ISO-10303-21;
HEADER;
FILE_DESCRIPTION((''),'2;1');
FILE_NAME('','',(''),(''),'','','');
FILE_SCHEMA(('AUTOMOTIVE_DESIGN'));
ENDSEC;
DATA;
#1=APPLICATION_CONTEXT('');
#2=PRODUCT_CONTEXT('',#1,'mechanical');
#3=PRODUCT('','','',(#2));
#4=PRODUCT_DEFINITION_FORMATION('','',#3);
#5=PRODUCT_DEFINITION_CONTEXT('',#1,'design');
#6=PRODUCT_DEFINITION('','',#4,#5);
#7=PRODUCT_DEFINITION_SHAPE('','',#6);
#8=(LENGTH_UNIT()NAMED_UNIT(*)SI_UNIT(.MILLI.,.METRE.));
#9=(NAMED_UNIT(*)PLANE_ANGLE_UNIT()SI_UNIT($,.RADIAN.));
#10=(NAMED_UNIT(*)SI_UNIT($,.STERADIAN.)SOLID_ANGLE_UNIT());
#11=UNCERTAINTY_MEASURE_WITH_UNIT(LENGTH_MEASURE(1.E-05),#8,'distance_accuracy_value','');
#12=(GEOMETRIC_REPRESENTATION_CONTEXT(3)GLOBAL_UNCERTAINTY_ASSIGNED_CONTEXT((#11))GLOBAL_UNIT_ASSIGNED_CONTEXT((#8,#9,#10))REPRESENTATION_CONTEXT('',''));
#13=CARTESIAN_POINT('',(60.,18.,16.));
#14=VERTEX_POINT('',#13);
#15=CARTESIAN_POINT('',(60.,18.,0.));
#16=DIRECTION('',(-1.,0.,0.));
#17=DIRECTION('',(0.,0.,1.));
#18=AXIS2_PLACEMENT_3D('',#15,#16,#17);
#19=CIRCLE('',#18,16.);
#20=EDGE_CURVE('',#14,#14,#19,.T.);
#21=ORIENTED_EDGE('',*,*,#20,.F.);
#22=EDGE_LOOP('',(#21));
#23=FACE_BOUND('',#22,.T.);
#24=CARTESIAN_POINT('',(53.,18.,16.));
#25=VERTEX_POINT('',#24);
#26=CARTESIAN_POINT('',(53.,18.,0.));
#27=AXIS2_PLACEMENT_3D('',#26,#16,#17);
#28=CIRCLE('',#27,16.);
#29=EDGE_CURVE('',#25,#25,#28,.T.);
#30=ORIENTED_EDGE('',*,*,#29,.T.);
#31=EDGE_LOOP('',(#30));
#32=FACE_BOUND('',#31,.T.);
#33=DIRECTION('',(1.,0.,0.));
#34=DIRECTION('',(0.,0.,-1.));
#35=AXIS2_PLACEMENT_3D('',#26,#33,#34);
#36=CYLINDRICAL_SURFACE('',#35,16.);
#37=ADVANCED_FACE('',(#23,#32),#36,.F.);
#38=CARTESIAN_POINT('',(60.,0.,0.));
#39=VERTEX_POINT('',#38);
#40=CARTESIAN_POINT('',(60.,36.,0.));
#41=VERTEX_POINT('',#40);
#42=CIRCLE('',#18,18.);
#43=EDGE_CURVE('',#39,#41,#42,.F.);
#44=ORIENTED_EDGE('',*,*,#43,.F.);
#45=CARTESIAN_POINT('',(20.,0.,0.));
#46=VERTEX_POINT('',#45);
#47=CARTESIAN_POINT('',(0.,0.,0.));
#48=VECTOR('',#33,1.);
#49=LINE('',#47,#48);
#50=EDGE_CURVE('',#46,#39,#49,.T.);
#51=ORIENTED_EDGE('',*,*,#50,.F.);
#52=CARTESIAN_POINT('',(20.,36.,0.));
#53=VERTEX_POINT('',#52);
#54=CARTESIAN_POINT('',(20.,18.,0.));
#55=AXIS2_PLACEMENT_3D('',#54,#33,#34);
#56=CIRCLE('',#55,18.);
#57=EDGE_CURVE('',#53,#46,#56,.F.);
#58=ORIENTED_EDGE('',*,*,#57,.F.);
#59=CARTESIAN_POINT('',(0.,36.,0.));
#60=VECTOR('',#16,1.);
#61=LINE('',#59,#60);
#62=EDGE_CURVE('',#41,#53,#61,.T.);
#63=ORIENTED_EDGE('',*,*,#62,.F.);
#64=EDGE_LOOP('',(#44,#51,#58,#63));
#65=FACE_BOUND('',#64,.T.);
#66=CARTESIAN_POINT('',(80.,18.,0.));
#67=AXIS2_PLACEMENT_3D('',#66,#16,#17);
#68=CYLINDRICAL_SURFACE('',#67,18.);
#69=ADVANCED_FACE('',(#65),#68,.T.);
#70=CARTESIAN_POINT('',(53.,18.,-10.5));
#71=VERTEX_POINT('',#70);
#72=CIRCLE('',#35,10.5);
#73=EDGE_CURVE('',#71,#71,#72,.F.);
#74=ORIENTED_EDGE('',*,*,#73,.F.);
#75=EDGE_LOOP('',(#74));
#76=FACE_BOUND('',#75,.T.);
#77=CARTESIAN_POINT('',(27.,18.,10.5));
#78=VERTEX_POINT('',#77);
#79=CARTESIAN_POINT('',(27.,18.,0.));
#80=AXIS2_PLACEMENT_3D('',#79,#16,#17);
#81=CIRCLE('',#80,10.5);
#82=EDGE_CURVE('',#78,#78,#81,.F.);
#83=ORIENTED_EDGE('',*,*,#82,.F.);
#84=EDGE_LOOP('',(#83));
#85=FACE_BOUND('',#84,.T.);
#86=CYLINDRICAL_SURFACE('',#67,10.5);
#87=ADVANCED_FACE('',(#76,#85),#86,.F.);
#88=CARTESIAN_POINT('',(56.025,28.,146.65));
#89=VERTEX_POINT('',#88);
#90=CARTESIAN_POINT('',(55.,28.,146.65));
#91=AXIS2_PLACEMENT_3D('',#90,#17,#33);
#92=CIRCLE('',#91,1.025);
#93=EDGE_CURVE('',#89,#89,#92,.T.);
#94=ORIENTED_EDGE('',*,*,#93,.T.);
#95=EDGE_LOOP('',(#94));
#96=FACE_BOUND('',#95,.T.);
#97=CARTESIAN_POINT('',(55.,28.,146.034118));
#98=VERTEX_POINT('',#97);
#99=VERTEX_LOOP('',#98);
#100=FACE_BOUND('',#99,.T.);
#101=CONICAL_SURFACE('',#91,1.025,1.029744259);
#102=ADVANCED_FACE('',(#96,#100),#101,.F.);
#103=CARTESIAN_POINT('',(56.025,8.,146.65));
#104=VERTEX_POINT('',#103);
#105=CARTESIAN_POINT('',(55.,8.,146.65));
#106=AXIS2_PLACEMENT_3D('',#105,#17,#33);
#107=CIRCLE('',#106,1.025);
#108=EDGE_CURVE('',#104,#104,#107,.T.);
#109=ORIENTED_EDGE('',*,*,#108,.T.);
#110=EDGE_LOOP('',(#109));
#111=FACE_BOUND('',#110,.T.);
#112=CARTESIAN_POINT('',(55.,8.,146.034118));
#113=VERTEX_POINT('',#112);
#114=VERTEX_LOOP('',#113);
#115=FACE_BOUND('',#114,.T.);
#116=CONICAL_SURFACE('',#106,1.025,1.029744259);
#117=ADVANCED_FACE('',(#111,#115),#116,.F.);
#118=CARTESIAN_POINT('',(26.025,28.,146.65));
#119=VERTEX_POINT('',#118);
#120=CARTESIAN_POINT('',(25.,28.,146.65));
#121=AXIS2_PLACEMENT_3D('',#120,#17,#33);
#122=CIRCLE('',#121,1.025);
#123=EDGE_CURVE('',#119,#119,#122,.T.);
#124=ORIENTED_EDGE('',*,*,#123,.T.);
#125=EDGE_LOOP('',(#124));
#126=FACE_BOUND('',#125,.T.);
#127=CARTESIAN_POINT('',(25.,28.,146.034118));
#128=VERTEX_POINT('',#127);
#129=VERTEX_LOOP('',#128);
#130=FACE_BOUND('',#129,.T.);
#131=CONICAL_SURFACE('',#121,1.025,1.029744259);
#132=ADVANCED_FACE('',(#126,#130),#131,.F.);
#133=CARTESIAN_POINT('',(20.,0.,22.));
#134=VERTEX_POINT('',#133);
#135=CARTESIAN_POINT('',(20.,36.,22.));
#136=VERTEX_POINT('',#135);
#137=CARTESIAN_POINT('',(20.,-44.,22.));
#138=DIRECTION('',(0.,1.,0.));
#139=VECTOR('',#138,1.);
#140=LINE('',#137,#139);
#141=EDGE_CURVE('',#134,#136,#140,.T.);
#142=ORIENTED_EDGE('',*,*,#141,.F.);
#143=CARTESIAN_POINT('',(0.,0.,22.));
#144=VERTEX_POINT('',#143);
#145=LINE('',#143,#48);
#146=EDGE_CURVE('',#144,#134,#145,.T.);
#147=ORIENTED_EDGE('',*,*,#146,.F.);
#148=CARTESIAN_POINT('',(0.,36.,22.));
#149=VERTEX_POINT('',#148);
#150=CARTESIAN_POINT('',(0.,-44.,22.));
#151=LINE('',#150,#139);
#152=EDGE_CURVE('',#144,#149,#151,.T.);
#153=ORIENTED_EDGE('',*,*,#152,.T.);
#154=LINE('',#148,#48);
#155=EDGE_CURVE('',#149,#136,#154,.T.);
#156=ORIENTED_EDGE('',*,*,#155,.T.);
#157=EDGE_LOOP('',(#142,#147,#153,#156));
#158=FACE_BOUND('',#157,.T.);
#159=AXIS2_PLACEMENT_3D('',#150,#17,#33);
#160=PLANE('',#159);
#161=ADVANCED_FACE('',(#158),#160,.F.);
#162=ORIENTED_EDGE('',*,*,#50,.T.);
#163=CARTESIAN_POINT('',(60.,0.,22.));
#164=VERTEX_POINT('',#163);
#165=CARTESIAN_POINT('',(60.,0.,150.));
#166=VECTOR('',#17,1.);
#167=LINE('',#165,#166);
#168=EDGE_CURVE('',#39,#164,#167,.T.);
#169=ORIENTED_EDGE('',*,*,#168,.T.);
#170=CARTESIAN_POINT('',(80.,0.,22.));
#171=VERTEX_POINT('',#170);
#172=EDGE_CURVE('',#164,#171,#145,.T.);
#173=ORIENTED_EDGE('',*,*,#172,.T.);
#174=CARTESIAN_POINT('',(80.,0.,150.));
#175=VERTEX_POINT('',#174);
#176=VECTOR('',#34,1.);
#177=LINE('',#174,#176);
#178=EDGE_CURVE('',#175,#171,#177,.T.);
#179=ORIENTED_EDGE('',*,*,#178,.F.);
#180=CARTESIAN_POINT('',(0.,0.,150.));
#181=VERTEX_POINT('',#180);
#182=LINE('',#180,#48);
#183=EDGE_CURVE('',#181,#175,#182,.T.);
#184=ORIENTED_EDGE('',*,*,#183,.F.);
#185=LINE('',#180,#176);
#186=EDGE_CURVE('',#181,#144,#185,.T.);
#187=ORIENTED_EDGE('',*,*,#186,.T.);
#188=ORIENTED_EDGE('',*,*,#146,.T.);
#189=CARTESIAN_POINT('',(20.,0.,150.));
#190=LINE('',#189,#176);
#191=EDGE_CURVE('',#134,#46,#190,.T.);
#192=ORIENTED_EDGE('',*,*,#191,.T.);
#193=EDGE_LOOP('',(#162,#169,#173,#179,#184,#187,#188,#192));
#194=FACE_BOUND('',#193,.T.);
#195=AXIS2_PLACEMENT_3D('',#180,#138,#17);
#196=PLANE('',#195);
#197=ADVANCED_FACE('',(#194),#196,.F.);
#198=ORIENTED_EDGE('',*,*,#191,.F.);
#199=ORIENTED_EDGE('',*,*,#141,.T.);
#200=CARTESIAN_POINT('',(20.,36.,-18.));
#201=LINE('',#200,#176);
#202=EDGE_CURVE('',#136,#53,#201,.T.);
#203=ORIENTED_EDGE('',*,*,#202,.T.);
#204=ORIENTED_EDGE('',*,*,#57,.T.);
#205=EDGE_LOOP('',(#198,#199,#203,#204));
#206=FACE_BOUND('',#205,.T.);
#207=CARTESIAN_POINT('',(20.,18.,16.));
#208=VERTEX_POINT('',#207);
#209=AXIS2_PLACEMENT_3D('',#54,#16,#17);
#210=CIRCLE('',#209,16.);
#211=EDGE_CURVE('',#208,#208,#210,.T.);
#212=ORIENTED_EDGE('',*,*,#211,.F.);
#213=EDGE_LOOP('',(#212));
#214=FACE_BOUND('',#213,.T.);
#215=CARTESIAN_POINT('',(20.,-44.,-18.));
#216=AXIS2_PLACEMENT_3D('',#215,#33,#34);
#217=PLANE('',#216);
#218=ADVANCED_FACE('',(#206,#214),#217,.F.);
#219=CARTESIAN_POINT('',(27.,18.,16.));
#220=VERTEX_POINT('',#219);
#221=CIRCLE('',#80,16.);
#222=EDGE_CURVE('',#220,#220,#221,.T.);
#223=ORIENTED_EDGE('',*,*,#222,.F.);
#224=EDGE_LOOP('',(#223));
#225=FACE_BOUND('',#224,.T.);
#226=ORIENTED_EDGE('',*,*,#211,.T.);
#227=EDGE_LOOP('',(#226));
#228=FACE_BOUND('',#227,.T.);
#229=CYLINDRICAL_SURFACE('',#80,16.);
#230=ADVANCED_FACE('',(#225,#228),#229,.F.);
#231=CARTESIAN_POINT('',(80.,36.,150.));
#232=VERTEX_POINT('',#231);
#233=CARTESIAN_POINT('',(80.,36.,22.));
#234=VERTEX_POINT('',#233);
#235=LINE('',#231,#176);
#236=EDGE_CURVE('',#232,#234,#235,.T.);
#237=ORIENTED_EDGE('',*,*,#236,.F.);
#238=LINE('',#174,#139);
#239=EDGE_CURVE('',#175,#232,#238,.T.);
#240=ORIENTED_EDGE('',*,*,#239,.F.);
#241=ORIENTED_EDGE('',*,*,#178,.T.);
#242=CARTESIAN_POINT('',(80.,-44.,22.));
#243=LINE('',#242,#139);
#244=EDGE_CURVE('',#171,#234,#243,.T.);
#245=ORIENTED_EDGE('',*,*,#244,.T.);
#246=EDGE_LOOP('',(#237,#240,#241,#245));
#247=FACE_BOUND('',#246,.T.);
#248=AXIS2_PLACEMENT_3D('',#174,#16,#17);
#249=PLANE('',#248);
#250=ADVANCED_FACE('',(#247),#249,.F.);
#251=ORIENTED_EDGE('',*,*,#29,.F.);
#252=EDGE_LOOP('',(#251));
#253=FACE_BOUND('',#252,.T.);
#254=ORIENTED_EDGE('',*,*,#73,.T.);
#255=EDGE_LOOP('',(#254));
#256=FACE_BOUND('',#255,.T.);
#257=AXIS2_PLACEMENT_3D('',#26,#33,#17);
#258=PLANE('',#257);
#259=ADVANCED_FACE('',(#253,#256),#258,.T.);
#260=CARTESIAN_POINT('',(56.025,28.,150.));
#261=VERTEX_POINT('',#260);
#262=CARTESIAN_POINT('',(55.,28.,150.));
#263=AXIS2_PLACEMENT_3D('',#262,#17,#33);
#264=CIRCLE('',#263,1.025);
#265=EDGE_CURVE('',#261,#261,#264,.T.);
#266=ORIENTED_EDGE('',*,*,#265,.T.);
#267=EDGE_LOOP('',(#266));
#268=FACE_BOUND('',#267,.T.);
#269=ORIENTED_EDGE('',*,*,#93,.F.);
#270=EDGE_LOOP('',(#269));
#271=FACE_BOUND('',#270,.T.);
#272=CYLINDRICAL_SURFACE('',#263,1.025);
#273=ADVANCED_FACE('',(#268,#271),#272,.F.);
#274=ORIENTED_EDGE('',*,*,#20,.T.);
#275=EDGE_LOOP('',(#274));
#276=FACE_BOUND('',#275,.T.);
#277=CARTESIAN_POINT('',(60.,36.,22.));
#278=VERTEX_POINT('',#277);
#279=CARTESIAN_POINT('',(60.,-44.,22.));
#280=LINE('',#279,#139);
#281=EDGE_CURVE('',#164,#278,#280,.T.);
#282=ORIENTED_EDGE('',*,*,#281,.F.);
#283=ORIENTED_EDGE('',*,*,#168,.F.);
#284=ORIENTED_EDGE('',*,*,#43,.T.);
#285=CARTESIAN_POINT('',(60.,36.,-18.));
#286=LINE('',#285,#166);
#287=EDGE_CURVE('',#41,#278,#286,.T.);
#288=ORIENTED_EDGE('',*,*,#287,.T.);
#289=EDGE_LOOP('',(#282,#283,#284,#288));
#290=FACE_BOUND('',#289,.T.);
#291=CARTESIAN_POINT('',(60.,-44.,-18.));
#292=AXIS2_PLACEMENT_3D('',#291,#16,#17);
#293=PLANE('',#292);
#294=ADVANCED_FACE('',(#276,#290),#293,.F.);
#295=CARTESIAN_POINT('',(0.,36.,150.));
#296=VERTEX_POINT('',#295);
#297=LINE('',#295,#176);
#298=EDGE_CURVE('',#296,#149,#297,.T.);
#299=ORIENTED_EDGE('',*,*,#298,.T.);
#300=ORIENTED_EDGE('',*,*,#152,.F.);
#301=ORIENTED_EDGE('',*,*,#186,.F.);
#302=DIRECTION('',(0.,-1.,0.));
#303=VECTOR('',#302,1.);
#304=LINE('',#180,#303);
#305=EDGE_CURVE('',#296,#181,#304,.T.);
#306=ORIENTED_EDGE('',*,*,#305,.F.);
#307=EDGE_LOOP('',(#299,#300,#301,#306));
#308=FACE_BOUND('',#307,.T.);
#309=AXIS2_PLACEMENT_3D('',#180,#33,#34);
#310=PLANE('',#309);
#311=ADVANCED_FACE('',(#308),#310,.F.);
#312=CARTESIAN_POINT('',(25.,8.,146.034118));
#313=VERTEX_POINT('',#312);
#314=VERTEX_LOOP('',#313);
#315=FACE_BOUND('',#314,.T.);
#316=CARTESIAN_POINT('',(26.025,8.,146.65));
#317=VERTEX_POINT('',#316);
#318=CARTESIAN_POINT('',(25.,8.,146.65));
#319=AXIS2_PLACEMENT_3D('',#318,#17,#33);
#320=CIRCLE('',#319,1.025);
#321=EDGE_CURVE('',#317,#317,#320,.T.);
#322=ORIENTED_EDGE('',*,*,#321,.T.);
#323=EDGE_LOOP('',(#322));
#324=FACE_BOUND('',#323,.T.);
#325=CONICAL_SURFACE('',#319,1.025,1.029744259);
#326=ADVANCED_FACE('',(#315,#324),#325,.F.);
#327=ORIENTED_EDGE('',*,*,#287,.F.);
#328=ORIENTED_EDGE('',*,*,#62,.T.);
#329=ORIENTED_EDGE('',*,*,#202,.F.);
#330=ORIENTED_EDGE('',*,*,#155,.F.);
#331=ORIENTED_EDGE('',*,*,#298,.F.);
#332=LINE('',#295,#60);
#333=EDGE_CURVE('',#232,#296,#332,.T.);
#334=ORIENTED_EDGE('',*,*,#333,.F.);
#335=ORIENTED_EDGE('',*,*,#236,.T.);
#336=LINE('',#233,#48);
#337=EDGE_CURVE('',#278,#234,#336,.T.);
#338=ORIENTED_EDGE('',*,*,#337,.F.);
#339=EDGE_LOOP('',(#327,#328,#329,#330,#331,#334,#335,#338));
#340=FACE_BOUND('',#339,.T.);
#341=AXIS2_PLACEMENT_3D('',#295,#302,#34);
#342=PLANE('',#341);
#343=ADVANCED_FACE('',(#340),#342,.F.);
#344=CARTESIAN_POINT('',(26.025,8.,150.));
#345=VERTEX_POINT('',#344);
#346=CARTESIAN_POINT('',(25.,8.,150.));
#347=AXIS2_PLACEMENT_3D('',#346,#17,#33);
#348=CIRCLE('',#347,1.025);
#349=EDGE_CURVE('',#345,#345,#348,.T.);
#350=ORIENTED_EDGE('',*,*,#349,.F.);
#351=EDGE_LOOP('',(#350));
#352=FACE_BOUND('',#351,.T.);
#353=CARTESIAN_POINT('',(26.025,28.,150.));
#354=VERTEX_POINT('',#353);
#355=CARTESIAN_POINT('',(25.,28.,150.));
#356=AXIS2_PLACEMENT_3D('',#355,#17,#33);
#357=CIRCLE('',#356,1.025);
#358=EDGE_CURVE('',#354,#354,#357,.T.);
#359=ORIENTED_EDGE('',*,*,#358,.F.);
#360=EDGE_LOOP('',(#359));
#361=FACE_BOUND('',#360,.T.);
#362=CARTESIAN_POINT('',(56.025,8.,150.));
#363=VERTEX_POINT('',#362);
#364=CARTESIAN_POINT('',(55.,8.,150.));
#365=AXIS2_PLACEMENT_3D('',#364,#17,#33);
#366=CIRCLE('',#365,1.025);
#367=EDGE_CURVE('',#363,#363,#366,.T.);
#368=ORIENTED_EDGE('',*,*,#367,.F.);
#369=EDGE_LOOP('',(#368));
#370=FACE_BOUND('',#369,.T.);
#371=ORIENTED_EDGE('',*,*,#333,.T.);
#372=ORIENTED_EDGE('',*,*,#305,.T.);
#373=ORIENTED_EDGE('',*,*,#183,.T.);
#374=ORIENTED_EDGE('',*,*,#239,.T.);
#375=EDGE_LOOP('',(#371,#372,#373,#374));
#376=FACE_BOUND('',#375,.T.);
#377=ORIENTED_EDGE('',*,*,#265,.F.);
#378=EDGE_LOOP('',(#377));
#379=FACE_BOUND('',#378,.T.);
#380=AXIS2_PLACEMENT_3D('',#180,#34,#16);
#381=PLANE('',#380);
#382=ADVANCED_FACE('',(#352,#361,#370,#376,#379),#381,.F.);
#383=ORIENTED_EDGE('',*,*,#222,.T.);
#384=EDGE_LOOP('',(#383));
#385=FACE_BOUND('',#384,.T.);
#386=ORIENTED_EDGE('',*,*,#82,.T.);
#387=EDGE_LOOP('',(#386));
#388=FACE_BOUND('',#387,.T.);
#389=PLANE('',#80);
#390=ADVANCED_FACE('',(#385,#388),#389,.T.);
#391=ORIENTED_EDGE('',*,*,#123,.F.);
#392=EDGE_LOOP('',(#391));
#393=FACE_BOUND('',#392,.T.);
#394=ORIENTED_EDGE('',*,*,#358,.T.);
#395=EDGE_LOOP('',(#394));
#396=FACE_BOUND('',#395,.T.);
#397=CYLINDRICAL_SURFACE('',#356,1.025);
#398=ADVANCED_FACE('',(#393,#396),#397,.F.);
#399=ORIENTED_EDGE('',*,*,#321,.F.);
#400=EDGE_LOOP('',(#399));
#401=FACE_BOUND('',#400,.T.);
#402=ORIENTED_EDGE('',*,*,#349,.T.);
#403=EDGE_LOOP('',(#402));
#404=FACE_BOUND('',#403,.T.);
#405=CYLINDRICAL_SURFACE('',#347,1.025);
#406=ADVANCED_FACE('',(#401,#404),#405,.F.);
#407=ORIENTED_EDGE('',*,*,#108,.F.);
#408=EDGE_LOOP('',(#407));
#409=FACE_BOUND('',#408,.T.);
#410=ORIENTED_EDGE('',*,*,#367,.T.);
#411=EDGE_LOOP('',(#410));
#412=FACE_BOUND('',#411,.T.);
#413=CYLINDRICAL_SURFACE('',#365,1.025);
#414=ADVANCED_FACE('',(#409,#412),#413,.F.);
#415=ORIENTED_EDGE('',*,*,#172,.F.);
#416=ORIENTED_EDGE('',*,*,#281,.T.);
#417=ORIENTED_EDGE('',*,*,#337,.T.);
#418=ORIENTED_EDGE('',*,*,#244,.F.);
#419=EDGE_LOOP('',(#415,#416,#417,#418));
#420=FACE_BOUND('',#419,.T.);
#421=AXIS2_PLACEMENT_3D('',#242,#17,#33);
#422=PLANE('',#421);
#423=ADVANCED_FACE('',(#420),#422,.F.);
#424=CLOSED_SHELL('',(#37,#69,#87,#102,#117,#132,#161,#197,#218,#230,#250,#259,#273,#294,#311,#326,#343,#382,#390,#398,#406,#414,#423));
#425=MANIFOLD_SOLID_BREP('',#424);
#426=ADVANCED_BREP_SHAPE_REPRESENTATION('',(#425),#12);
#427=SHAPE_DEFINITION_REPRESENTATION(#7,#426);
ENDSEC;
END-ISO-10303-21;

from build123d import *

# Parameters (mm, degrees)
SKETCH1_W               = 80
SKETCH1_H               = 36
BOSS_EXTRUDE1_DEPTH     = 150
M2_5_TAPPED_HOLE1_D     = 2.05
M2_5_TAPPED_HOLE1_DEPTH = 3.35
M2_5_TAPPED_HOLE1_TIP   = 0.615882135
BOSS_EXTRUDE2_DEPTH     = 80
SKETCH7_W               = 20
SKETCH7_H               = 40
CUT_EXTRUDE4_DEPTH      = 80
SKETCH5_R               = 10.5
CUT_EXTRUDE5_DEPTH      = 80
SKETCH8_R               = 16
CUT_EXTRUDE6_DEPTH      = 7


with BuildPart() as part:
    # Sketch1 → Boss-Extrude1 (new body)
    with BuildSketch(Plane.XY):
        with Locations((40, 18)):
            Rectangle(SKETCH1_W, SKETCH1_H)
    extrude(amount=BOSS_EXTRUDE1_DEPTH)

    # M2.5 Tapped Hole1
    with Locations(Plane(origin=(25, 28, 150), x_dir=(1, 0, 0), z_dir=(0, 0, 1))):
        with Locations((0, 0), (30, 0), (30, -20), (0, -20)):
            Hole(M2_5_TAPPED_HOLE1_D / 2, depth=M2_5_TAPPED_HOLE1_DEPTH)
            with Locations((0, 0, -(M2_5_TAPPED_HOLE1_DEPTH + M2_5_TAPPED_HOLE1_TIP / 2))):  # 118° drill point
                Cone(0, M2_5_TAPPED_HOLE1_D / 2, M2_5_TAPPED_HOLE1_TIP, mode=Mode.SUBTRACT)

    # Sketch4 → Boss-Extrude2 (add)
    with BuildSketch(Plane.ZY):
        with BuildLine():
            Line((0, 36), (0, 0))
            ThreePointArc((0, 0), (-18, 18), (0, 36))
        make_face()
    extrude(amount=-BOSS_EXTRUDE2_DEPTH)

    # Sketch7 → Cut-Extrude4 (cut)
    with BuildSketch(Plane(origin=(0, 36, 0), x_dir=(1, 0, 0), z_dir=(0, 1, 0))):
        with Locations((10, -2)):
            Rectangle(SKETCH7_W, SKETCH7_H)
        with Locations((70, -2)):
            Rectangle(SKETCH7_W, SKETCH7_H)
    extrude(amount=-CUT_EXTRUDE4_DEPTH, mode=Mode.SUBTRACT)

    # Sketch5 → Cut-Extrude5 (cut)
    with BuildSketch(Plane.ZY):
        with Locations((0, 18)):
            Circle(SKETCH5_R)
    extrude(amount=-CUT_EXTRUDE5_DEPTH, mode=Mode.SUBTRACT)

    # Sketch8 → Cut-Extrude6 (cut)
    with BuildSketch(Plane.ZY.offset(-20)):
        with Locations((0, 18)):
            Circle(SKETCH8_R)
    cut_extrude6 = extrude(amount=-CUT_EXTRUDE6_DEPTH, mode=Mode.SUBTRACT)

    # Mirror1: Cut-Extrude6 across plane
    add(cut_extrude6.mirror(Plane.ZY.offset(-40)), mode=Mode.SUBTRACT)


solid = part.part
